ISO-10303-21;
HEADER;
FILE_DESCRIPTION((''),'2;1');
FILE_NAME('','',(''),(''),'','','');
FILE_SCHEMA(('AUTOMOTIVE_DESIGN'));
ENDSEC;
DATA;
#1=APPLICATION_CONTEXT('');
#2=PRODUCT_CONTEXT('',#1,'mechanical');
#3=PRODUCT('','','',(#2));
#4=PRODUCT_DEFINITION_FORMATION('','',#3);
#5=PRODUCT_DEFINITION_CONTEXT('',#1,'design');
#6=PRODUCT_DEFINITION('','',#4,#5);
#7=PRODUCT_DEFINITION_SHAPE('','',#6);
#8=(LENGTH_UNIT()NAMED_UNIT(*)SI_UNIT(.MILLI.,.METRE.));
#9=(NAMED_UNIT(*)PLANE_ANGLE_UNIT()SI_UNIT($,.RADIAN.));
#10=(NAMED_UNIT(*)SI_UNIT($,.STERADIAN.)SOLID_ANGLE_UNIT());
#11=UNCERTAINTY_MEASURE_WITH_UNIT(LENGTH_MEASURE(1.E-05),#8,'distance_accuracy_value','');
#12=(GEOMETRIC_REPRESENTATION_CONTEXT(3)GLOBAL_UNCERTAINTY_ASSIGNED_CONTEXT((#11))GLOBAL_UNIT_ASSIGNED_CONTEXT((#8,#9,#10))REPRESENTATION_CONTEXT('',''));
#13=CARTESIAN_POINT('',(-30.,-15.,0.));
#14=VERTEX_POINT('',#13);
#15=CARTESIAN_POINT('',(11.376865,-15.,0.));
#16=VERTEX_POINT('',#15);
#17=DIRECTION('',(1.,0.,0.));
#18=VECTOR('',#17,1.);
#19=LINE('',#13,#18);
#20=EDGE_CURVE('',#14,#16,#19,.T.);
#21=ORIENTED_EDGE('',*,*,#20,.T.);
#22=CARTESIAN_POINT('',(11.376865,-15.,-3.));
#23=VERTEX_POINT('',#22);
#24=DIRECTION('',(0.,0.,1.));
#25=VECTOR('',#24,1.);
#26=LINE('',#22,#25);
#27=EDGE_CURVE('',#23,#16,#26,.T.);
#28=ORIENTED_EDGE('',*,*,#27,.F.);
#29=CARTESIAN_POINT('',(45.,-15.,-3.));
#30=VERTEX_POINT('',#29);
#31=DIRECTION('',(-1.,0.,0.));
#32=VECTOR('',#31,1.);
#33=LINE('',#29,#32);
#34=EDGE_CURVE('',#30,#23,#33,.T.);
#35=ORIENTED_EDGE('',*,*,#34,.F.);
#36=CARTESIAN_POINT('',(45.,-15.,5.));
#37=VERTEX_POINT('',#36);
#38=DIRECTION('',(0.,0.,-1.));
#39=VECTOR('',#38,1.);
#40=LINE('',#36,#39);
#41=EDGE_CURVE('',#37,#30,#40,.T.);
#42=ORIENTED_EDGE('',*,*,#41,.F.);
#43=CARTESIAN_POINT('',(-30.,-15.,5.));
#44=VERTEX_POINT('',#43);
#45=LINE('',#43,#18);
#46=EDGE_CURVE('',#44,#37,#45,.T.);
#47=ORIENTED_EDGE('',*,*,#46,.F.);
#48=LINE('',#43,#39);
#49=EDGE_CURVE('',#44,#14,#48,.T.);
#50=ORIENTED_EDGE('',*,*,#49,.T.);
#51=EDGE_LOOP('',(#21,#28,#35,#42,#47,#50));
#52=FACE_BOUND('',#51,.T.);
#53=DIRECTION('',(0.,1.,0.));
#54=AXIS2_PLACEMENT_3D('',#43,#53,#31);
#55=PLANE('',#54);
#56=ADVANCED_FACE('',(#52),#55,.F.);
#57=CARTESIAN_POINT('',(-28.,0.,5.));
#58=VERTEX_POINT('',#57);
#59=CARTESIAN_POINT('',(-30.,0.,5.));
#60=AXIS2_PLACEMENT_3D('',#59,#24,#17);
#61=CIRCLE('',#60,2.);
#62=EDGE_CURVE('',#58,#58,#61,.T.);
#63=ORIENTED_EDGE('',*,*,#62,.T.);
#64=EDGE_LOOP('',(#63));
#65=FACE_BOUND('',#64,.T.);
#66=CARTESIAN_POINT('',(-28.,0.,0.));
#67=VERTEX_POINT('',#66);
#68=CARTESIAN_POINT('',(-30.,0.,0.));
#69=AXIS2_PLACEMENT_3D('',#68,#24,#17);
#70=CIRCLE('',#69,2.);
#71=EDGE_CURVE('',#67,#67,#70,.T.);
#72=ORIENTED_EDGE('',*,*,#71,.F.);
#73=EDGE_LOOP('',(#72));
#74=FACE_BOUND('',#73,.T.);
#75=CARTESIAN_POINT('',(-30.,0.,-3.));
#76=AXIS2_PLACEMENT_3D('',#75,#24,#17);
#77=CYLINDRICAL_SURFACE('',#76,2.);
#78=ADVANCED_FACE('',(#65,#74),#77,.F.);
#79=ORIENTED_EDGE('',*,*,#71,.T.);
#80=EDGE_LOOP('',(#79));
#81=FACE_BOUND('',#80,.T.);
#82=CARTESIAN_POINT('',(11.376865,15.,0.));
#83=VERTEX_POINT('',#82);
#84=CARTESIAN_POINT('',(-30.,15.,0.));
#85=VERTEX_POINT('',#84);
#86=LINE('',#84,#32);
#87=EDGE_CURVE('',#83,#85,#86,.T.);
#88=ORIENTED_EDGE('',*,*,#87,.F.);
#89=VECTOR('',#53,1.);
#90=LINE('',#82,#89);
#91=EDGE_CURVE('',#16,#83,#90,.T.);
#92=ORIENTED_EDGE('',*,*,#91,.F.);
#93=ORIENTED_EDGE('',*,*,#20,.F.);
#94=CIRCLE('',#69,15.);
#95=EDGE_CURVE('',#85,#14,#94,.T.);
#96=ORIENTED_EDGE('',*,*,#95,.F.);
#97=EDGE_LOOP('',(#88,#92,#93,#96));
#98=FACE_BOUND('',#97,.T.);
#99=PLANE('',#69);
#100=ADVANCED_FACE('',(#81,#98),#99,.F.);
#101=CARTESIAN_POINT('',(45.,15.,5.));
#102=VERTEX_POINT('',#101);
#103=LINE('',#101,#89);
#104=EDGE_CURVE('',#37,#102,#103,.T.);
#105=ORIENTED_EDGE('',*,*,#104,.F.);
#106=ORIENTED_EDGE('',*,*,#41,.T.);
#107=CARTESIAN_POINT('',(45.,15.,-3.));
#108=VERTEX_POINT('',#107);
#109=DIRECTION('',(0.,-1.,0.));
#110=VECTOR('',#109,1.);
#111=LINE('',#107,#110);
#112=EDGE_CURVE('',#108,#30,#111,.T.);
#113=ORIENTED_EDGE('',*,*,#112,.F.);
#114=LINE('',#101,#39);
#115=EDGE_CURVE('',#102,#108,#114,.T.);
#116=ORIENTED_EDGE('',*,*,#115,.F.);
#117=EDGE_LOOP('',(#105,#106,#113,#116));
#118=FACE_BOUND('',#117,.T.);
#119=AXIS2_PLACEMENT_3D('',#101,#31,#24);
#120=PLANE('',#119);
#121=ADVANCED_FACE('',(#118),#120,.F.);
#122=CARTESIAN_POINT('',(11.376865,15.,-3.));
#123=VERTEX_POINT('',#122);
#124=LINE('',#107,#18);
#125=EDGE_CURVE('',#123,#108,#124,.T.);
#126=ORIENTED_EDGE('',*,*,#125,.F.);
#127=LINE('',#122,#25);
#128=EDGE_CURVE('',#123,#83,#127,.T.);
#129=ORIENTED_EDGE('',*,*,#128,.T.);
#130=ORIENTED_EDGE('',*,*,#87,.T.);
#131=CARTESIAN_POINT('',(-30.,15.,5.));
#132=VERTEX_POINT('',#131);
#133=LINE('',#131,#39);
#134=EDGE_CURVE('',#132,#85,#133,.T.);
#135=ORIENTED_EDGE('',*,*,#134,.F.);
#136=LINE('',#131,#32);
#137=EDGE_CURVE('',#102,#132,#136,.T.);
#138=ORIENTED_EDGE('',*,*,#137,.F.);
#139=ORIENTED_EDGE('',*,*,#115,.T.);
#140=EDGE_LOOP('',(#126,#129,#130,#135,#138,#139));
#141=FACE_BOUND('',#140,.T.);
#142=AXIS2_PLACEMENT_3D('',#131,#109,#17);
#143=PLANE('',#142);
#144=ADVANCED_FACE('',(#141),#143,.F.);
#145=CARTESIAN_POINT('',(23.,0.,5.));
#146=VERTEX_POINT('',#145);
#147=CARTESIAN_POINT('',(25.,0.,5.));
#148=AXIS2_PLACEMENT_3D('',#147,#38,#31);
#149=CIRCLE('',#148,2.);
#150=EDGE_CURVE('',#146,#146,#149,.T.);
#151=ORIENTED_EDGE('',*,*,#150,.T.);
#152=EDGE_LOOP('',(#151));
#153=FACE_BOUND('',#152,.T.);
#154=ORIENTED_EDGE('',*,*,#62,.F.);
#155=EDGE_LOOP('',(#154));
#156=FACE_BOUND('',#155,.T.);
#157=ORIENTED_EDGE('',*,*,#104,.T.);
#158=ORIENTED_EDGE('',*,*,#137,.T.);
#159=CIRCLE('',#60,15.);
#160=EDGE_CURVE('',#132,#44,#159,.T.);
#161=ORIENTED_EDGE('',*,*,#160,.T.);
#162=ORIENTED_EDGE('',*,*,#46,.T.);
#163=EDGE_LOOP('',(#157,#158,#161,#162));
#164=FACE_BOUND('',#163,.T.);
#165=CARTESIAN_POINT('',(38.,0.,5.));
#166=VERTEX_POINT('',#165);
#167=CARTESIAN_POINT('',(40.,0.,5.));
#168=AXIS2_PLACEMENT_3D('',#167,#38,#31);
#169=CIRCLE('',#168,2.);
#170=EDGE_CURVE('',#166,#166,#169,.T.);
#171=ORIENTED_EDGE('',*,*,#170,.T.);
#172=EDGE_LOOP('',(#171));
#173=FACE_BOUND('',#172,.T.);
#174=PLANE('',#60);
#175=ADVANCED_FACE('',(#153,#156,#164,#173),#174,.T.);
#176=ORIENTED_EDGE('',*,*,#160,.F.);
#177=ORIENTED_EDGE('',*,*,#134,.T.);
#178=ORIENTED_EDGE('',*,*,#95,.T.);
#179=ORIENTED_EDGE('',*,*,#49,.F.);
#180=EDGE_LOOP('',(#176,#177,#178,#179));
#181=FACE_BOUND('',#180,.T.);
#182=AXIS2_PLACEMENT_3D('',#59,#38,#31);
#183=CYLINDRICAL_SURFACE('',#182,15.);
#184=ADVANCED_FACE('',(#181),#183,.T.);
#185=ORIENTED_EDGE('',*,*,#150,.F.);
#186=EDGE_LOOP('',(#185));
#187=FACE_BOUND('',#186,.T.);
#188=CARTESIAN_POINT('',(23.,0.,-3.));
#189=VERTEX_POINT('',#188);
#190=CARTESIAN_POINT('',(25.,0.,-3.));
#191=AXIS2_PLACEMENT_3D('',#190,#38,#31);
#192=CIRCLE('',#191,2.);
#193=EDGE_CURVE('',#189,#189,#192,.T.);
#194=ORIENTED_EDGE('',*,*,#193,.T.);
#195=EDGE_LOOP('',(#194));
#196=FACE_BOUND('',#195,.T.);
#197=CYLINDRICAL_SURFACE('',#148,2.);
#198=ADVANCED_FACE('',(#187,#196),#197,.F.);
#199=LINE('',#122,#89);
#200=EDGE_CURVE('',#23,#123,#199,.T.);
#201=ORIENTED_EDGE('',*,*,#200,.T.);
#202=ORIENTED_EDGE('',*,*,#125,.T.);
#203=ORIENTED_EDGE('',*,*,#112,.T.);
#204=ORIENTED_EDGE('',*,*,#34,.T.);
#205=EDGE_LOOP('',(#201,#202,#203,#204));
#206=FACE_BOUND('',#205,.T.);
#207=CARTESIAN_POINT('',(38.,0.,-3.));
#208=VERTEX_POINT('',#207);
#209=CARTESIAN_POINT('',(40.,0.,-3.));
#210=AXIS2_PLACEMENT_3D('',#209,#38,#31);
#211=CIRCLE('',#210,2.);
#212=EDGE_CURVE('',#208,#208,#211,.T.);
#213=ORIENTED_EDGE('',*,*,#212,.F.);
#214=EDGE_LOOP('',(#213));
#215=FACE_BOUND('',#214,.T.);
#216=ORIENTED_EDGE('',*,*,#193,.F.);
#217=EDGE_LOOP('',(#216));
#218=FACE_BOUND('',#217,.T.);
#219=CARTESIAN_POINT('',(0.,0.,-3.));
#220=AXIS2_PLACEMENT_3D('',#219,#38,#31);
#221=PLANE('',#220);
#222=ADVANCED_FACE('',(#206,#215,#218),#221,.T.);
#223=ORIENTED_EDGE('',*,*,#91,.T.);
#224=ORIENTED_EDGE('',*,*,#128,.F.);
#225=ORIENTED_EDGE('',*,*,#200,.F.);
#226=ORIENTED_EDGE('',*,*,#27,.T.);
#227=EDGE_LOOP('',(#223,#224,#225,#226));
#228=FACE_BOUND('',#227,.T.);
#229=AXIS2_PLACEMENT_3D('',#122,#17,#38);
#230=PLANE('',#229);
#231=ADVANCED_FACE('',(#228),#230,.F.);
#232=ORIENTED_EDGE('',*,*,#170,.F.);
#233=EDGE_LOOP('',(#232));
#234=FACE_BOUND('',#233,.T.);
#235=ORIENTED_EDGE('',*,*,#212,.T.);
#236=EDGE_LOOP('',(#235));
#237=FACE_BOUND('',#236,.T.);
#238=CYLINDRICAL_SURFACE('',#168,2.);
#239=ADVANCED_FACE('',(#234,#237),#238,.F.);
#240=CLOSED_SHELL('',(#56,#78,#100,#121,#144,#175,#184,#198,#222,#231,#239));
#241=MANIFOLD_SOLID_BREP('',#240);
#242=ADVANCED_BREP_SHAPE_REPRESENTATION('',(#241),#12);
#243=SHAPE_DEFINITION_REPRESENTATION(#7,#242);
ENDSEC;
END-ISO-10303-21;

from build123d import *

# Parameters (mm, degrees)
BOSS_EXTRUDE2_DEPTH = 5
SKETCH3_R           = 2
CUT_EXTRUDE1_DEPTH  = 48.696960071
SKETCH5_W           = 33.623135457
SKETCH5_H           = 30
BOSS_EXTRUDE3_DEPTH = 3
SKETCH6_R           = 2
CUT_EXTRUDE2_DEPTH  = 3
SKETCH7_R           = 2
CUT_EXTRUDE3_DEPTH  = 49.104053883


with BuildPart() as part:
    # Sketch1 → Boss-Extrude2 (new body)
    with BuildSketch(Plane.XY):
        with BuildLine():
            Line((-30, 15), (45, 15))
            Line((45, 15), (45, -15))
            Line((45, -15), (-30, -15))
            ThreePointArc((-30, -15), (-45, 0), (-30, 15))
        make_face()
    extrude(amount=BOSS_EXTRUDE2_DEPTH)

    # Sketch3 → Cut-Extrude1 (cut, through all)
    with BuildSketch(Plane(origin=(0, 0, 0), x_dir=(-1, 0, 0), z_dir=(0, 0, -1))):
        with Locations((-40, 0)):
            Circle(SKETCH3_R)
        with Locations((-25, 0)):
            Circle(SKETCH3_R)
    extrude(amount=-CUT_EXTRUDE1_DEPTH, mode=Mode.SUBTRACT)

    # Sketch5 → Boss-Extrude3 (add)
    with BuildSketch(Plane(origin=(0, 0, 0), x_dir=(-1, 0, 0), z_dir=(0, 0, -1))):
        with Locations((-28.188432271, 0)):
            Rectangle(SKETCH5_W, SKETCH5_H)
    extrude(amount=BOSS_EXTRUDE3_DEPTH)

    # Sketch6 → Cut-Extrude2 (cut)
    with BuildSketch(Plane(origin=(0, 0, -3), x_dir=(-1, 0, 0), z_dir=(0, 0, -1))):
        with Locations((-40, 0)):
            Circle(SKETCH6_R)
        with Locations((-25, 0)):
            Circle(SKETCH6_R)
    extrude(amount=-CUT_EXTRUDE2_DEPTH, mode=Mode.SUBTRACT)

    # Sketch7 → Cut-Extrude3 (cut, through all)
    with BuildSketch(Plane.XY.offset(5)):
        with Locations((-30, 0)):
            Circle(SKETCH7_R)
    extrude(amount=-CUT_EXTRUDE3_DEPTH, mode=Mode.SUBTRACT)


solid = part.part
